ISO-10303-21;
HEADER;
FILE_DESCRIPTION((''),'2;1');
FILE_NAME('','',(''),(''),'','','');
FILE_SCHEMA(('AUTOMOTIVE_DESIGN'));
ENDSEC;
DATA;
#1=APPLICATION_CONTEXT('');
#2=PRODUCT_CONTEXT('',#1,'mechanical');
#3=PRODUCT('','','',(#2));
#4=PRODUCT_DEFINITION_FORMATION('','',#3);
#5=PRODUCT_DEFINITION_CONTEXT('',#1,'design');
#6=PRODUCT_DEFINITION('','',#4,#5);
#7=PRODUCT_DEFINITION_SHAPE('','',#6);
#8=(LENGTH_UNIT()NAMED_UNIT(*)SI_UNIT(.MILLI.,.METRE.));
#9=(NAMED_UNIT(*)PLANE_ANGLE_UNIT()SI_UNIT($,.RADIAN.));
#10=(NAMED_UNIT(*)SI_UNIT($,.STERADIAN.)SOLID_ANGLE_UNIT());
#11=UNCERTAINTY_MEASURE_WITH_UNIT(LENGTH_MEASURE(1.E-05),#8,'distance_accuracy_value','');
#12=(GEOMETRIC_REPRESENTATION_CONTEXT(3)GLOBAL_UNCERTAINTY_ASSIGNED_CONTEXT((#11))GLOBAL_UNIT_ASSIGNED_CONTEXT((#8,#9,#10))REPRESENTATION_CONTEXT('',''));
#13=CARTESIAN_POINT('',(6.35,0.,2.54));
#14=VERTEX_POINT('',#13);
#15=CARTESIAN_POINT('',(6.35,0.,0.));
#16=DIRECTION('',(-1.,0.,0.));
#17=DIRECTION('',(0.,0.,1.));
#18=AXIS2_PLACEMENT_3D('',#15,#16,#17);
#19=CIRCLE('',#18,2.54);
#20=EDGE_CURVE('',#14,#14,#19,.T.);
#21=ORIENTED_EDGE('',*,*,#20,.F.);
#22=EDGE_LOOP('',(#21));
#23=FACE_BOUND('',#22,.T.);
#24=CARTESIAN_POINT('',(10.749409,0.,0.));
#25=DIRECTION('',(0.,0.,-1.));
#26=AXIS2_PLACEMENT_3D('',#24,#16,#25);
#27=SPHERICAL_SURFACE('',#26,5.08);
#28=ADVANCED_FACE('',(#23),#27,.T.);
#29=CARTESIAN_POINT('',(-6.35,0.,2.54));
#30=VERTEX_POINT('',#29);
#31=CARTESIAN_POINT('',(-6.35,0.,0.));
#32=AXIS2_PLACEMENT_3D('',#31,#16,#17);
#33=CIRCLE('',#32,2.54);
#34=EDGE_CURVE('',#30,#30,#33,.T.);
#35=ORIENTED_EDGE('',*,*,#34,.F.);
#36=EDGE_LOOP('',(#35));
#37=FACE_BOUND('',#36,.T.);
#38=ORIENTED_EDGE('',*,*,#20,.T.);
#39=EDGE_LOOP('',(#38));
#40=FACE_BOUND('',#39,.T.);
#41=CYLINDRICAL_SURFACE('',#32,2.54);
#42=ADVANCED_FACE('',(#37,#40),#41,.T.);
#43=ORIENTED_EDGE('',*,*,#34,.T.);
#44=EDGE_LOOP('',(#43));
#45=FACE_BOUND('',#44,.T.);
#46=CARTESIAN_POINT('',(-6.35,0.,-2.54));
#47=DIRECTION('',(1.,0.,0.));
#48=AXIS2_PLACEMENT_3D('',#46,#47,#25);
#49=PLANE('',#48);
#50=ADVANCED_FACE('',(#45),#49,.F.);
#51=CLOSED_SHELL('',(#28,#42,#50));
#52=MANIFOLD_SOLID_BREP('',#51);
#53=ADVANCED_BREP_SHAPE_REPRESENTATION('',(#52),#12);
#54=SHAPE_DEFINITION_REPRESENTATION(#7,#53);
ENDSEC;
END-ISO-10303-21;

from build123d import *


with BuildPart() as part:
    # Sketch1 → Revolve1 (revolve)
    with BuildSketch(Plane(origin=(0, 0, 0), x_dir=(1, 0, 0), z_dir=(0, 1, 0))):
        with BuildLine():
            Line((-6.35, 0), (15.829409051, 0))
            ThreePointArc((15.829409051, 0), (12.0642098, 4.906903198), (6.35, 2.54))
            Line((6.35, 2.54), (-6.35, 2.54))
            Line((-6.35, 2.54), (-6.35, 0))
        make_face()
    revolve(axis=Axis((-6.35, 0, 0), (1, 0, 0)))


solid = part.part
